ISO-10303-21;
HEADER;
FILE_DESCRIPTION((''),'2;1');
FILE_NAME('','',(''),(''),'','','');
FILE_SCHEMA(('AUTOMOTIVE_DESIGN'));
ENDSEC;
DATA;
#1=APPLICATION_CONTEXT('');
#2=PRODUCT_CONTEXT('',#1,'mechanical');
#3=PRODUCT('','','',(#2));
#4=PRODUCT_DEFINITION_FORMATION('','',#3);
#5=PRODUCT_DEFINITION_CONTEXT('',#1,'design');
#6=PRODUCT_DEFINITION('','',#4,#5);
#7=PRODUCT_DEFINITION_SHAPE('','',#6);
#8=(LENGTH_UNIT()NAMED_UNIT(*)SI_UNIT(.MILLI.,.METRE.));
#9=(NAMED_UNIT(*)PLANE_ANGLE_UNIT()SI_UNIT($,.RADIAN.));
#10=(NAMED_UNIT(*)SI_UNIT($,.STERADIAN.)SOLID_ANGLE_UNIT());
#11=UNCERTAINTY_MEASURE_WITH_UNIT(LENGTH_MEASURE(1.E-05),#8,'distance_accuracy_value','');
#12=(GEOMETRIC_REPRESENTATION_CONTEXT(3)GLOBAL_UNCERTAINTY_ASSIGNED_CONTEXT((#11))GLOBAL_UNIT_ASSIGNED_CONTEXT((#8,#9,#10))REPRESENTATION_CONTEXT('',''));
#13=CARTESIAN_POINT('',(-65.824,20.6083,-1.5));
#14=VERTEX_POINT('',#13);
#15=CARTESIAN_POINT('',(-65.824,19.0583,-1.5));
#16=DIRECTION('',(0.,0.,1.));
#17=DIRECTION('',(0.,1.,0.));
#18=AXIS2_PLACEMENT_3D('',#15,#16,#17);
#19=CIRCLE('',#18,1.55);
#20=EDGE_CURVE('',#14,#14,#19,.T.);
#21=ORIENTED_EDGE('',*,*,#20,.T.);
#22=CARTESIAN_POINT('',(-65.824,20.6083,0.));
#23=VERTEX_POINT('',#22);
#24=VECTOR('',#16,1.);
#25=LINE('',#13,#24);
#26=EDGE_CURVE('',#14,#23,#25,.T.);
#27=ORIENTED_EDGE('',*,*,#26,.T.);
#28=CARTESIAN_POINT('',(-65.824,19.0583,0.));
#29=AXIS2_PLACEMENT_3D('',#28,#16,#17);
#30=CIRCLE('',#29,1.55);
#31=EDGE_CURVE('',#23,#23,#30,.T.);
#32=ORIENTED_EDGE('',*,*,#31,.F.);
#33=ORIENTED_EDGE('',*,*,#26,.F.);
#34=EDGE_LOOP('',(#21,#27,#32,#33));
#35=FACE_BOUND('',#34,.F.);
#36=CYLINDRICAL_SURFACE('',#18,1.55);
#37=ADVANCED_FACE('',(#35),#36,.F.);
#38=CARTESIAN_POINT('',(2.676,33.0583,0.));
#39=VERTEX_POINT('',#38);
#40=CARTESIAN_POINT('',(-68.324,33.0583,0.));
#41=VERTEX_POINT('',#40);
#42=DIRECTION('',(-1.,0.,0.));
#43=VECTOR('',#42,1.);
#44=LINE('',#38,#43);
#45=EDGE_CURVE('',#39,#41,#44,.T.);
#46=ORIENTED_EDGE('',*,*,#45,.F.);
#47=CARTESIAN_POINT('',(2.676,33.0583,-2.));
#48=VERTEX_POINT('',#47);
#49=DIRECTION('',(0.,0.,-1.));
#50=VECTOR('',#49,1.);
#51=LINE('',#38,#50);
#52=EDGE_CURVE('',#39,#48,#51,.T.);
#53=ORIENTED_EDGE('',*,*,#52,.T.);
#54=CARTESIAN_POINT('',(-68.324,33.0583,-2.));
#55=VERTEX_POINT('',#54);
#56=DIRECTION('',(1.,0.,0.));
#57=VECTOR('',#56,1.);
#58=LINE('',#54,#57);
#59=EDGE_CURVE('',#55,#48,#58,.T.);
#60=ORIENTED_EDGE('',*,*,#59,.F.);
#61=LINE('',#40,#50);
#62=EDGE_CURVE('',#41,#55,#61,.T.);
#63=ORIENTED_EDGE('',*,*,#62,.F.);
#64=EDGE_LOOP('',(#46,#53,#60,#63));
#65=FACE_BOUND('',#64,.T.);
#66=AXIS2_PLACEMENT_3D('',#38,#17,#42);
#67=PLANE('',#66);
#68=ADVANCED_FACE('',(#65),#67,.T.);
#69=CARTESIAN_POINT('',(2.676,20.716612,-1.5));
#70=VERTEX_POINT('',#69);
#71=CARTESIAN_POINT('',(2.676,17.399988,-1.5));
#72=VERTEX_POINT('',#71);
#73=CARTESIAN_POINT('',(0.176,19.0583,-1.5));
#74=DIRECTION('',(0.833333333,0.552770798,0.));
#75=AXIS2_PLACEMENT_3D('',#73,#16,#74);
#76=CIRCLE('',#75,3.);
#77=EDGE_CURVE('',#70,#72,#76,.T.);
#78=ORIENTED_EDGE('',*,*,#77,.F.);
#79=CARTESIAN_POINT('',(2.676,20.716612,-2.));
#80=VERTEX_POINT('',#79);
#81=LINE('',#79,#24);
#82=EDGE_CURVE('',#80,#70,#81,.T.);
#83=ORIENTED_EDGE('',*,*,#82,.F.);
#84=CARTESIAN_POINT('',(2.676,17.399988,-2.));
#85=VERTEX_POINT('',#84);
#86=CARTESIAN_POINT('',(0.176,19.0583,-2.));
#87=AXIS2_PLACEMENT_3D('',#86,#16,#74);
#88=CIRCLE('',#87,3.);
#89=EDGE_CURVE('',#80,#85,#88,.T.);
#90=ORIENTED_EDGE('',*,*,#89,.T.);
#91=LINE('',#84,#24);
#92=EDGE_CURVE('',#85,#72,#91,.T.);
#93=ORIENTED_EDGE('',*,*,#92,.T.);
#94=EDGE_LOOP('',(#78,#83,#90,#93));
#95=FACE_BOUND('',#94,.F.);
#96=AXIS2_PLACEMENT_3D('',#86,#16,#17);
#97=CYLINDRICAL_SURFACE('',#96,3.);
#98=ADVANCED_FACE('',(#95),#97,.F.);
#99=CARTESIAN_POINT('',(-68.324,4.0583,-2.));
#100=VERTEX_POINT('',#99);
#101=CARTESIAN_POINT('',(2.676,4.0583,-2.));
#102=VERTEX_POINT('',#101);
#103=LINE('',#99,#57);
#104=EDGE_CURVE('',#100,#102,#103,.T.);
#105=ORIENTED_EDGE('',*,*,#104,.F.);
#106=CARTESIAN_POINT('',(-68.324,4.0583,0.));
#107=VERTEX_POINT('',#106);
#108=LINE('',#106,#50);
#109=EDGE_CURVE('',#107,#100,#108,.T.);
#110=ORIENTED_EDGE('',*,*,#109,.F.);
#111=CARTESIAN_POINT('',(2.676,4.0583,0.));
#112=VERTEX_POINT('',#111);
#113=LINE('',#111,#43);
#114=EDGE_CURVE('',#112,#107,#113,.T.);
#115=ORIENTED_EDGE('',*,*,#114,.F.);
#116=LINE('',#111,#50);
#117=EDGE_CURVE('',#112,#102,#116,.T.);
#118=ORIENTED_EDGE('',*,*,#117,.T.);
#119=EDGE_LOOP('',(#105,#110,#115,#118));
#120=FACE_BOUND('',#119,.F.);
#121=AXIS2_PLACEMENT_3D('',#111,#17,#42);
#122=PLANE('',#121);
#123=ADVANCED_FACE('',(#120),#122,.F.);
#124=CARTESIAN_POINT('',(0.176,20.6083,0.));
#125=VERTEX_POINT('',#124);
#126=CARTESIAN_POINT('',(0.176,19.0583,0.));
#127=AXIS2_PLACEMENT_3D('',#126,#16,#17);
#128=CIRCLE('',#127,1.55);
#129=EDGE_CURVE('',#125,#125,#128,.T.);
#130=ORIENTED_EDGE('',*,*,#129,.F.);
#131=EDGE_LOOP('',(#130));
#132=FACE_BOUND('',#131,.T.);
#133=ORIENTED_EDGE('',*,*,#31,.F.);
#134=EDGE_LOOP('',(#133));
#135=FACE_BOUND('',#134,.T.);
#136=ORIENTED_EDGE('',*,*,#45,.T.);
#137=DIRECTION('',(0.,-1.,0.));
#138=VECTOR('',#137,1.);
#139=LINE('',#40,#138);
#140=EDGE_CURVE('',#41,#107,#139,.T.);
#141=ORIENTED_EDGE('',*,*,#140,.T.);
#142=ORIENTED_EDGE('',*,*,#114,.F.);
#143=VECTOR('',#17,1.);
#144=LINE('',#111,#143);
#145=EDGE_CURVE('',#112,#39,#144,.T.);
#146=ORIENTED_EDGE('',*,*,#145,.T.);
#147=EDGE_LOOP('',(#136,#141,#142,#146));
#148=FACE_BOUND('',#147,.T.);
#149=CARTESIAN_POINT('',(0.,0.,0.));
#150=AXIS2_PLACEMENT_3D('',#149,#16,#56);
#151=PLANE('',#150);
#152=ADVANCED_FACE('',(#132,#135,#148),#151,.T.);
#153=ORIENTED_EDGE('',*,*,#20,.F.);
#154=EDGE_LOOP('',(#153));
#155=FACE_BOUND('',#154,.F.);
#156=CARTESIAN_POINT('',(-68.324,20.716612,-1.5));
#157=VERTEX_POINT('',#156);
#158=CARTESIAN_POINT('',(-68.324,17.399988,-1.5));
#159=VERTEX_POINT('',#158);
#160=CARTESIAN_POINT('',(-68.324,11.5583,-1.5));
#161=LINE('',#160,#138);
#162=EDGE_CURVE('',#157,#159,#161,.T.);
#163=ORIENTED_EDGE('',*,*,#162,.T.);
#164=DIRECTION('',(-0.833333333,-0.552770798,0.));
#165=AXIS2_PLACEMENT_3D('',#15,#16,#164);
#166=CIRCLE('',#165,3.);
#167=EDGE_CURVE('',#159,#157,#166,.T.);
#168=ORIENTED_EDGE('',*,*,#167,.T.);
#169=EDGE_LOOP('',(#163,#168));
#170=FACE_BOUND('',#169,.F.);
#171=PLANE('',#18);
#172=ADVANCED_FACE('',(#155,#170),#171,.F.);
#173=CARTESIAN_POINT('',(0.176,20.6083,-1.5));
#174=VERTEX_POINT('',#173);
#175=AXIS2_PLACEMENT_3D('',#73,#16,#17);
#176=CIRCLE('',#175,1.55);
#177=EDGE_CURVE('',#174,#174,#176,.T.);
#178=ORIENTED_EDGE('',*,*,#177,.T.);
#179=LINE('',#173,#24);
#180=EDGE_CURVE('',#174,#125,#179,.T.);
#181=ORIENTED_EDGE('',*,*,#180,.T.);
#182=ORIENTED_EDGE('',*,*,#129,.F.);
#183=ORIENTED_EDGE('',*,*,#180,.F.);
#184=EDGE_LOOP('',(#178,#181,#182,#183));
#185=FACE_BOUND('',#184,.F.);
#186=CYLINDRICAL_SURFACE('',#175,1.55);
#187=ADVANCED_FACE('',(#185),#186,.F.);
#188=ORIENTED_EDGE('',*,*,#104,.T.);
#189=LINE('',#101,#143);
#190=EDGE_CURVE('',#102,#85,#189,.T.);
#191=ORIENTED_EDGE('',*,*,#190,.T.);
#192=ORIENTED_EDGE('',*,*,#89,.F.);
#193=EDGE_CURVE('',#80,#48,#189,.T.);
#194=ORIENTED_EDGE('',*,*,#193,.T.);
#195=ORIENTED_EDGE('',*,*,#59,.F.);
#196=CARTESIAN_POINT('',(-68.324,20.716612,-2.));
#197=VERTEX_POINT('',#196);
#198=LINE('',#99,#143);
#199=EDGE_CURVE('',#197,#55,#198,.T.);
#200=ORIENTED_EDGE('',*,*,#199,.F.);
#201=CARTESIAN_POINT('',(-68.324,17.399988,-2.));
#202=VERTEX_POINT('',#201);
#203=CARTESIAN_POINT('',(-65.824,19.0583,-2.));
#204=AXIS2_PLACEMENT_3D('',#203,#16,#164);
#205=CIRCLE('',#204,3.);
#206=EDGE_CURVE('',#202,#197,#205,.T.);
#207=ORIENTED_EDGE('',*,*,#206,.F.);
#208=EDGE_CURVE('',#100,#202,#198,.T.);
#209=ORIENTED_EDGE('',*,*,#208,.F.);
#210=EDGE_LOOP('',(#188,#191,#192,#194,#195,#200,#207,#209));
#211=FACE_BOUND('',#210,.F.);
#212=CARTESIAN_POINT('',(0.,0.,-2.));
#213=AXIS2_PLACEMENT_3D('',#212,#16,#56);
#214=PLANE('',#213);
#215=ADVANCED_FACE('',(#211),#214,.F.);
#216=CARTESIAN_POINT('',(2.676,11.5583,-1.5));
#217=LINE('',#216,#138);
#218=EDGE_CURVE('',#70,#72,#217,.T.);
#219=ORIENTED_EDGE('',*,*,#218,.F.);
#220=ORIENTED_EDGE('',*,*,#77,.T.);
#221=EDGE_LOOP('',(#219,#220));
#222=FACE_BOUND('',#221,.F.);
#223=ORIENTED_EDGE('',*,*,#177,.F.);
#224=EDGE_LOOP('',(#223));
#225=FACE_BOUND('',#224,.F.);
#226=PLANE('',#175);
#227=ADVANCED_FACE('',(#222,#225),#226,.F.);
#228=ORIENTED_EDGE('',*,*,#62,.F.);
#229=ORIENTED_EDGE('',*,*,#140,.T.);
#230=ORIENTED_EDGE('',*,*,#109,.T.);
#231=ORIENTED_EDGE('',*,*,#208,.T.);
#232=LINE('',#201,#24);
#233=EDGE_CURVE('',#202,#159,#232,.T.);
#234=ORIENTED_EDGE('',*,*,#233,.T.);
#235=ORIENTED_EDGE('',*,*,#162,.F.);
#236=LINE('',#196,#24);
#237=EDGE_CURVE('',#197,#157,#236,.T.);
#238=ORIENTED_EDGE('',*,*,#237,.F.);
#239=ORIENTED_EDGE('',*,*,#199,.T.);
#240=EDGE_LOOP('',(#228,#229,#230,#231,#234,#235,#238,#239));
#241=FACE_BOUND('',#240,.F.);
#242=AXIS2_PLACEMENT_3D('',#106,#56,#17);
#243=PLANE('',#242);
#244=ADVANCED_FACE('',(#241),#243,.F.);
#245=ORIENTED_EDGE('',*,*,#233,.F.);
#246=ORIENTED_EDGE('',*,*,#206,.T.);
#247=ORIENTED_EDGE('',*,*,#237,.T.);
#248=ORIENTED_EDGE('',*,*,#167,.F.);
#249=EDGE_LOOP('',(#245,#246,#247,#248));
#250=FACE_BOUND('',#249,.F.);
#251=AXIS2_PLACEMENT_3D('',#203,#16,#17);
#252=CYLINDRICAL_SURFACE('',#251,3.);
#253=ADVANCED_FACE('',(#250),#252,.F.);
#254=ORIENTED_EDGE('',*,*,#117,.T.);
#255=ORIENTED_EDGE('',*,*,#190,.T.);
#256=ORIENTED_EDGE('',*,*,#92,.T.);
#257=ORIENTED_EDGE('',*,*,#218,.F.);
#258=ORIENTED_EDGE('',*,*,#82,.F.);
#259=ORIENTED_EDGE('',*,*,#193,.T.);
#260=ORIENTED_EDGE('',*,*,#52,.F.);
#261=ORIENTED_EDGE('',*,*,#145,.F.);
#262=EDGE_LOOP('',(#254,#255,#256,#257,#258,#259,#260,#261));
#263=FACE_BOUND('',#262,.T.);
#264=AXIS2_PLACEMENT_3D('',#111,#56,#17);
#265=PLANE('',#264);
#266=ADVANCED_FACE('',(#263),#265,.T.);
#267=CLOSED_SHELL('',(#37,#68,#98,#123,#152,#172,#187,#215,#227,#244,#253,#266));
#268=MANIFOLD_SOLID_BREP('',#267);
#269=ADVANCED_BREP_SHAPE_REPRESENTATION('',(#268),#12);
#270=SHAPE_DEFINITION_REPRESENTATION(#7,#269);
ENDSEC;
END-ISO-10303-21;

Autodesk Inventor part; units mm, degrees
ref_plane "YZ Plane" through (0, 0, 0) normal (1, 0, 0) x (0, 1, 0)
ref_plane "XZ Plane" through (0, 0, 0) normal (0, 1, 0) x (-1, 0, 0)
ref_plane "XY Plane" through (0, 0, 0) normal (0, 0, 1) x (1, 0, 0)
sketch "Sketch3" plane through (0, 0, 0) normal (0, 0, 1) x (1, 0, 0)
  line L0 (2.676, 4.0583) -> (2.676, 33.0583) projected
  line L1 (2.676, 4.0583) -> (-2.324, 4.0583) projected
  line L2 (-2.324, 4.0583) -> (-2.324, 33.0583) projected
  line L3 (2.676, 33.0583) -> (-2.324, 33.0583) projected
  line L4 (-68.324, 4.0583) -> (-68.324, 29.5583) projected
  line L5 (-68.324, 33.0583) -> (-63.324, 33.0583) projected
  line L6 (-63.324, 4.0583) -> (-63.324, 33.0583) projected
  line L7 (-68.324, 4.0583) -> (-63.324, 4.0583) projected
  line L8 (2.676, 33.0583) -> (-68.324, 33.0583)
  line L9 (-68.324, 33.0583) -> (-68.324, 4.0583)
  line L10 (-68.324, 4.0583) -> (2.676, 4.0583)
  line L11 (2.676, 4.0583) -> (2.676, 33.0583)
  circle A0 centre (0.176, 19.0583) radius 1.75 projected
  line L12 (-68.324, 29.5583) -> (-68.324, 33.0583) projected
  circle A1 centre (-65.824, 19.0583) radius 1.75 projected
  point P0 (0, 0)
extrude "Extrusion2" add sketch "Sketch3" against normal blind 2 contours L1 L2 L3 L0 | L10 L6 L8 L2 | L7 L4 L9 L5 L6 | A0 | A1
sketch "Sketch4" plane through (0, 0, -2) normal (0, 0, -1) x (-1, 0, 0)
  circle A0 centre (-0.176, 19.0583) radius 1.75 projected
  circle A1 centre (65.824, 19.0583) radius 1.75 projected
  point P0 (0, 0)
hole "Hole2" at (0.176, 19.0583, -2) at (-65.824, 19.0583, -2) direction (0, 0, 1) diameter 3.1 end through all counterbore diameter 6 counterbore depth 0.5 clearance for "Countersunk Flat Head Screw ISO 2009/7046" size "M2.5" standard "ISO"
properties part number "back" material "ABS Plastic"
